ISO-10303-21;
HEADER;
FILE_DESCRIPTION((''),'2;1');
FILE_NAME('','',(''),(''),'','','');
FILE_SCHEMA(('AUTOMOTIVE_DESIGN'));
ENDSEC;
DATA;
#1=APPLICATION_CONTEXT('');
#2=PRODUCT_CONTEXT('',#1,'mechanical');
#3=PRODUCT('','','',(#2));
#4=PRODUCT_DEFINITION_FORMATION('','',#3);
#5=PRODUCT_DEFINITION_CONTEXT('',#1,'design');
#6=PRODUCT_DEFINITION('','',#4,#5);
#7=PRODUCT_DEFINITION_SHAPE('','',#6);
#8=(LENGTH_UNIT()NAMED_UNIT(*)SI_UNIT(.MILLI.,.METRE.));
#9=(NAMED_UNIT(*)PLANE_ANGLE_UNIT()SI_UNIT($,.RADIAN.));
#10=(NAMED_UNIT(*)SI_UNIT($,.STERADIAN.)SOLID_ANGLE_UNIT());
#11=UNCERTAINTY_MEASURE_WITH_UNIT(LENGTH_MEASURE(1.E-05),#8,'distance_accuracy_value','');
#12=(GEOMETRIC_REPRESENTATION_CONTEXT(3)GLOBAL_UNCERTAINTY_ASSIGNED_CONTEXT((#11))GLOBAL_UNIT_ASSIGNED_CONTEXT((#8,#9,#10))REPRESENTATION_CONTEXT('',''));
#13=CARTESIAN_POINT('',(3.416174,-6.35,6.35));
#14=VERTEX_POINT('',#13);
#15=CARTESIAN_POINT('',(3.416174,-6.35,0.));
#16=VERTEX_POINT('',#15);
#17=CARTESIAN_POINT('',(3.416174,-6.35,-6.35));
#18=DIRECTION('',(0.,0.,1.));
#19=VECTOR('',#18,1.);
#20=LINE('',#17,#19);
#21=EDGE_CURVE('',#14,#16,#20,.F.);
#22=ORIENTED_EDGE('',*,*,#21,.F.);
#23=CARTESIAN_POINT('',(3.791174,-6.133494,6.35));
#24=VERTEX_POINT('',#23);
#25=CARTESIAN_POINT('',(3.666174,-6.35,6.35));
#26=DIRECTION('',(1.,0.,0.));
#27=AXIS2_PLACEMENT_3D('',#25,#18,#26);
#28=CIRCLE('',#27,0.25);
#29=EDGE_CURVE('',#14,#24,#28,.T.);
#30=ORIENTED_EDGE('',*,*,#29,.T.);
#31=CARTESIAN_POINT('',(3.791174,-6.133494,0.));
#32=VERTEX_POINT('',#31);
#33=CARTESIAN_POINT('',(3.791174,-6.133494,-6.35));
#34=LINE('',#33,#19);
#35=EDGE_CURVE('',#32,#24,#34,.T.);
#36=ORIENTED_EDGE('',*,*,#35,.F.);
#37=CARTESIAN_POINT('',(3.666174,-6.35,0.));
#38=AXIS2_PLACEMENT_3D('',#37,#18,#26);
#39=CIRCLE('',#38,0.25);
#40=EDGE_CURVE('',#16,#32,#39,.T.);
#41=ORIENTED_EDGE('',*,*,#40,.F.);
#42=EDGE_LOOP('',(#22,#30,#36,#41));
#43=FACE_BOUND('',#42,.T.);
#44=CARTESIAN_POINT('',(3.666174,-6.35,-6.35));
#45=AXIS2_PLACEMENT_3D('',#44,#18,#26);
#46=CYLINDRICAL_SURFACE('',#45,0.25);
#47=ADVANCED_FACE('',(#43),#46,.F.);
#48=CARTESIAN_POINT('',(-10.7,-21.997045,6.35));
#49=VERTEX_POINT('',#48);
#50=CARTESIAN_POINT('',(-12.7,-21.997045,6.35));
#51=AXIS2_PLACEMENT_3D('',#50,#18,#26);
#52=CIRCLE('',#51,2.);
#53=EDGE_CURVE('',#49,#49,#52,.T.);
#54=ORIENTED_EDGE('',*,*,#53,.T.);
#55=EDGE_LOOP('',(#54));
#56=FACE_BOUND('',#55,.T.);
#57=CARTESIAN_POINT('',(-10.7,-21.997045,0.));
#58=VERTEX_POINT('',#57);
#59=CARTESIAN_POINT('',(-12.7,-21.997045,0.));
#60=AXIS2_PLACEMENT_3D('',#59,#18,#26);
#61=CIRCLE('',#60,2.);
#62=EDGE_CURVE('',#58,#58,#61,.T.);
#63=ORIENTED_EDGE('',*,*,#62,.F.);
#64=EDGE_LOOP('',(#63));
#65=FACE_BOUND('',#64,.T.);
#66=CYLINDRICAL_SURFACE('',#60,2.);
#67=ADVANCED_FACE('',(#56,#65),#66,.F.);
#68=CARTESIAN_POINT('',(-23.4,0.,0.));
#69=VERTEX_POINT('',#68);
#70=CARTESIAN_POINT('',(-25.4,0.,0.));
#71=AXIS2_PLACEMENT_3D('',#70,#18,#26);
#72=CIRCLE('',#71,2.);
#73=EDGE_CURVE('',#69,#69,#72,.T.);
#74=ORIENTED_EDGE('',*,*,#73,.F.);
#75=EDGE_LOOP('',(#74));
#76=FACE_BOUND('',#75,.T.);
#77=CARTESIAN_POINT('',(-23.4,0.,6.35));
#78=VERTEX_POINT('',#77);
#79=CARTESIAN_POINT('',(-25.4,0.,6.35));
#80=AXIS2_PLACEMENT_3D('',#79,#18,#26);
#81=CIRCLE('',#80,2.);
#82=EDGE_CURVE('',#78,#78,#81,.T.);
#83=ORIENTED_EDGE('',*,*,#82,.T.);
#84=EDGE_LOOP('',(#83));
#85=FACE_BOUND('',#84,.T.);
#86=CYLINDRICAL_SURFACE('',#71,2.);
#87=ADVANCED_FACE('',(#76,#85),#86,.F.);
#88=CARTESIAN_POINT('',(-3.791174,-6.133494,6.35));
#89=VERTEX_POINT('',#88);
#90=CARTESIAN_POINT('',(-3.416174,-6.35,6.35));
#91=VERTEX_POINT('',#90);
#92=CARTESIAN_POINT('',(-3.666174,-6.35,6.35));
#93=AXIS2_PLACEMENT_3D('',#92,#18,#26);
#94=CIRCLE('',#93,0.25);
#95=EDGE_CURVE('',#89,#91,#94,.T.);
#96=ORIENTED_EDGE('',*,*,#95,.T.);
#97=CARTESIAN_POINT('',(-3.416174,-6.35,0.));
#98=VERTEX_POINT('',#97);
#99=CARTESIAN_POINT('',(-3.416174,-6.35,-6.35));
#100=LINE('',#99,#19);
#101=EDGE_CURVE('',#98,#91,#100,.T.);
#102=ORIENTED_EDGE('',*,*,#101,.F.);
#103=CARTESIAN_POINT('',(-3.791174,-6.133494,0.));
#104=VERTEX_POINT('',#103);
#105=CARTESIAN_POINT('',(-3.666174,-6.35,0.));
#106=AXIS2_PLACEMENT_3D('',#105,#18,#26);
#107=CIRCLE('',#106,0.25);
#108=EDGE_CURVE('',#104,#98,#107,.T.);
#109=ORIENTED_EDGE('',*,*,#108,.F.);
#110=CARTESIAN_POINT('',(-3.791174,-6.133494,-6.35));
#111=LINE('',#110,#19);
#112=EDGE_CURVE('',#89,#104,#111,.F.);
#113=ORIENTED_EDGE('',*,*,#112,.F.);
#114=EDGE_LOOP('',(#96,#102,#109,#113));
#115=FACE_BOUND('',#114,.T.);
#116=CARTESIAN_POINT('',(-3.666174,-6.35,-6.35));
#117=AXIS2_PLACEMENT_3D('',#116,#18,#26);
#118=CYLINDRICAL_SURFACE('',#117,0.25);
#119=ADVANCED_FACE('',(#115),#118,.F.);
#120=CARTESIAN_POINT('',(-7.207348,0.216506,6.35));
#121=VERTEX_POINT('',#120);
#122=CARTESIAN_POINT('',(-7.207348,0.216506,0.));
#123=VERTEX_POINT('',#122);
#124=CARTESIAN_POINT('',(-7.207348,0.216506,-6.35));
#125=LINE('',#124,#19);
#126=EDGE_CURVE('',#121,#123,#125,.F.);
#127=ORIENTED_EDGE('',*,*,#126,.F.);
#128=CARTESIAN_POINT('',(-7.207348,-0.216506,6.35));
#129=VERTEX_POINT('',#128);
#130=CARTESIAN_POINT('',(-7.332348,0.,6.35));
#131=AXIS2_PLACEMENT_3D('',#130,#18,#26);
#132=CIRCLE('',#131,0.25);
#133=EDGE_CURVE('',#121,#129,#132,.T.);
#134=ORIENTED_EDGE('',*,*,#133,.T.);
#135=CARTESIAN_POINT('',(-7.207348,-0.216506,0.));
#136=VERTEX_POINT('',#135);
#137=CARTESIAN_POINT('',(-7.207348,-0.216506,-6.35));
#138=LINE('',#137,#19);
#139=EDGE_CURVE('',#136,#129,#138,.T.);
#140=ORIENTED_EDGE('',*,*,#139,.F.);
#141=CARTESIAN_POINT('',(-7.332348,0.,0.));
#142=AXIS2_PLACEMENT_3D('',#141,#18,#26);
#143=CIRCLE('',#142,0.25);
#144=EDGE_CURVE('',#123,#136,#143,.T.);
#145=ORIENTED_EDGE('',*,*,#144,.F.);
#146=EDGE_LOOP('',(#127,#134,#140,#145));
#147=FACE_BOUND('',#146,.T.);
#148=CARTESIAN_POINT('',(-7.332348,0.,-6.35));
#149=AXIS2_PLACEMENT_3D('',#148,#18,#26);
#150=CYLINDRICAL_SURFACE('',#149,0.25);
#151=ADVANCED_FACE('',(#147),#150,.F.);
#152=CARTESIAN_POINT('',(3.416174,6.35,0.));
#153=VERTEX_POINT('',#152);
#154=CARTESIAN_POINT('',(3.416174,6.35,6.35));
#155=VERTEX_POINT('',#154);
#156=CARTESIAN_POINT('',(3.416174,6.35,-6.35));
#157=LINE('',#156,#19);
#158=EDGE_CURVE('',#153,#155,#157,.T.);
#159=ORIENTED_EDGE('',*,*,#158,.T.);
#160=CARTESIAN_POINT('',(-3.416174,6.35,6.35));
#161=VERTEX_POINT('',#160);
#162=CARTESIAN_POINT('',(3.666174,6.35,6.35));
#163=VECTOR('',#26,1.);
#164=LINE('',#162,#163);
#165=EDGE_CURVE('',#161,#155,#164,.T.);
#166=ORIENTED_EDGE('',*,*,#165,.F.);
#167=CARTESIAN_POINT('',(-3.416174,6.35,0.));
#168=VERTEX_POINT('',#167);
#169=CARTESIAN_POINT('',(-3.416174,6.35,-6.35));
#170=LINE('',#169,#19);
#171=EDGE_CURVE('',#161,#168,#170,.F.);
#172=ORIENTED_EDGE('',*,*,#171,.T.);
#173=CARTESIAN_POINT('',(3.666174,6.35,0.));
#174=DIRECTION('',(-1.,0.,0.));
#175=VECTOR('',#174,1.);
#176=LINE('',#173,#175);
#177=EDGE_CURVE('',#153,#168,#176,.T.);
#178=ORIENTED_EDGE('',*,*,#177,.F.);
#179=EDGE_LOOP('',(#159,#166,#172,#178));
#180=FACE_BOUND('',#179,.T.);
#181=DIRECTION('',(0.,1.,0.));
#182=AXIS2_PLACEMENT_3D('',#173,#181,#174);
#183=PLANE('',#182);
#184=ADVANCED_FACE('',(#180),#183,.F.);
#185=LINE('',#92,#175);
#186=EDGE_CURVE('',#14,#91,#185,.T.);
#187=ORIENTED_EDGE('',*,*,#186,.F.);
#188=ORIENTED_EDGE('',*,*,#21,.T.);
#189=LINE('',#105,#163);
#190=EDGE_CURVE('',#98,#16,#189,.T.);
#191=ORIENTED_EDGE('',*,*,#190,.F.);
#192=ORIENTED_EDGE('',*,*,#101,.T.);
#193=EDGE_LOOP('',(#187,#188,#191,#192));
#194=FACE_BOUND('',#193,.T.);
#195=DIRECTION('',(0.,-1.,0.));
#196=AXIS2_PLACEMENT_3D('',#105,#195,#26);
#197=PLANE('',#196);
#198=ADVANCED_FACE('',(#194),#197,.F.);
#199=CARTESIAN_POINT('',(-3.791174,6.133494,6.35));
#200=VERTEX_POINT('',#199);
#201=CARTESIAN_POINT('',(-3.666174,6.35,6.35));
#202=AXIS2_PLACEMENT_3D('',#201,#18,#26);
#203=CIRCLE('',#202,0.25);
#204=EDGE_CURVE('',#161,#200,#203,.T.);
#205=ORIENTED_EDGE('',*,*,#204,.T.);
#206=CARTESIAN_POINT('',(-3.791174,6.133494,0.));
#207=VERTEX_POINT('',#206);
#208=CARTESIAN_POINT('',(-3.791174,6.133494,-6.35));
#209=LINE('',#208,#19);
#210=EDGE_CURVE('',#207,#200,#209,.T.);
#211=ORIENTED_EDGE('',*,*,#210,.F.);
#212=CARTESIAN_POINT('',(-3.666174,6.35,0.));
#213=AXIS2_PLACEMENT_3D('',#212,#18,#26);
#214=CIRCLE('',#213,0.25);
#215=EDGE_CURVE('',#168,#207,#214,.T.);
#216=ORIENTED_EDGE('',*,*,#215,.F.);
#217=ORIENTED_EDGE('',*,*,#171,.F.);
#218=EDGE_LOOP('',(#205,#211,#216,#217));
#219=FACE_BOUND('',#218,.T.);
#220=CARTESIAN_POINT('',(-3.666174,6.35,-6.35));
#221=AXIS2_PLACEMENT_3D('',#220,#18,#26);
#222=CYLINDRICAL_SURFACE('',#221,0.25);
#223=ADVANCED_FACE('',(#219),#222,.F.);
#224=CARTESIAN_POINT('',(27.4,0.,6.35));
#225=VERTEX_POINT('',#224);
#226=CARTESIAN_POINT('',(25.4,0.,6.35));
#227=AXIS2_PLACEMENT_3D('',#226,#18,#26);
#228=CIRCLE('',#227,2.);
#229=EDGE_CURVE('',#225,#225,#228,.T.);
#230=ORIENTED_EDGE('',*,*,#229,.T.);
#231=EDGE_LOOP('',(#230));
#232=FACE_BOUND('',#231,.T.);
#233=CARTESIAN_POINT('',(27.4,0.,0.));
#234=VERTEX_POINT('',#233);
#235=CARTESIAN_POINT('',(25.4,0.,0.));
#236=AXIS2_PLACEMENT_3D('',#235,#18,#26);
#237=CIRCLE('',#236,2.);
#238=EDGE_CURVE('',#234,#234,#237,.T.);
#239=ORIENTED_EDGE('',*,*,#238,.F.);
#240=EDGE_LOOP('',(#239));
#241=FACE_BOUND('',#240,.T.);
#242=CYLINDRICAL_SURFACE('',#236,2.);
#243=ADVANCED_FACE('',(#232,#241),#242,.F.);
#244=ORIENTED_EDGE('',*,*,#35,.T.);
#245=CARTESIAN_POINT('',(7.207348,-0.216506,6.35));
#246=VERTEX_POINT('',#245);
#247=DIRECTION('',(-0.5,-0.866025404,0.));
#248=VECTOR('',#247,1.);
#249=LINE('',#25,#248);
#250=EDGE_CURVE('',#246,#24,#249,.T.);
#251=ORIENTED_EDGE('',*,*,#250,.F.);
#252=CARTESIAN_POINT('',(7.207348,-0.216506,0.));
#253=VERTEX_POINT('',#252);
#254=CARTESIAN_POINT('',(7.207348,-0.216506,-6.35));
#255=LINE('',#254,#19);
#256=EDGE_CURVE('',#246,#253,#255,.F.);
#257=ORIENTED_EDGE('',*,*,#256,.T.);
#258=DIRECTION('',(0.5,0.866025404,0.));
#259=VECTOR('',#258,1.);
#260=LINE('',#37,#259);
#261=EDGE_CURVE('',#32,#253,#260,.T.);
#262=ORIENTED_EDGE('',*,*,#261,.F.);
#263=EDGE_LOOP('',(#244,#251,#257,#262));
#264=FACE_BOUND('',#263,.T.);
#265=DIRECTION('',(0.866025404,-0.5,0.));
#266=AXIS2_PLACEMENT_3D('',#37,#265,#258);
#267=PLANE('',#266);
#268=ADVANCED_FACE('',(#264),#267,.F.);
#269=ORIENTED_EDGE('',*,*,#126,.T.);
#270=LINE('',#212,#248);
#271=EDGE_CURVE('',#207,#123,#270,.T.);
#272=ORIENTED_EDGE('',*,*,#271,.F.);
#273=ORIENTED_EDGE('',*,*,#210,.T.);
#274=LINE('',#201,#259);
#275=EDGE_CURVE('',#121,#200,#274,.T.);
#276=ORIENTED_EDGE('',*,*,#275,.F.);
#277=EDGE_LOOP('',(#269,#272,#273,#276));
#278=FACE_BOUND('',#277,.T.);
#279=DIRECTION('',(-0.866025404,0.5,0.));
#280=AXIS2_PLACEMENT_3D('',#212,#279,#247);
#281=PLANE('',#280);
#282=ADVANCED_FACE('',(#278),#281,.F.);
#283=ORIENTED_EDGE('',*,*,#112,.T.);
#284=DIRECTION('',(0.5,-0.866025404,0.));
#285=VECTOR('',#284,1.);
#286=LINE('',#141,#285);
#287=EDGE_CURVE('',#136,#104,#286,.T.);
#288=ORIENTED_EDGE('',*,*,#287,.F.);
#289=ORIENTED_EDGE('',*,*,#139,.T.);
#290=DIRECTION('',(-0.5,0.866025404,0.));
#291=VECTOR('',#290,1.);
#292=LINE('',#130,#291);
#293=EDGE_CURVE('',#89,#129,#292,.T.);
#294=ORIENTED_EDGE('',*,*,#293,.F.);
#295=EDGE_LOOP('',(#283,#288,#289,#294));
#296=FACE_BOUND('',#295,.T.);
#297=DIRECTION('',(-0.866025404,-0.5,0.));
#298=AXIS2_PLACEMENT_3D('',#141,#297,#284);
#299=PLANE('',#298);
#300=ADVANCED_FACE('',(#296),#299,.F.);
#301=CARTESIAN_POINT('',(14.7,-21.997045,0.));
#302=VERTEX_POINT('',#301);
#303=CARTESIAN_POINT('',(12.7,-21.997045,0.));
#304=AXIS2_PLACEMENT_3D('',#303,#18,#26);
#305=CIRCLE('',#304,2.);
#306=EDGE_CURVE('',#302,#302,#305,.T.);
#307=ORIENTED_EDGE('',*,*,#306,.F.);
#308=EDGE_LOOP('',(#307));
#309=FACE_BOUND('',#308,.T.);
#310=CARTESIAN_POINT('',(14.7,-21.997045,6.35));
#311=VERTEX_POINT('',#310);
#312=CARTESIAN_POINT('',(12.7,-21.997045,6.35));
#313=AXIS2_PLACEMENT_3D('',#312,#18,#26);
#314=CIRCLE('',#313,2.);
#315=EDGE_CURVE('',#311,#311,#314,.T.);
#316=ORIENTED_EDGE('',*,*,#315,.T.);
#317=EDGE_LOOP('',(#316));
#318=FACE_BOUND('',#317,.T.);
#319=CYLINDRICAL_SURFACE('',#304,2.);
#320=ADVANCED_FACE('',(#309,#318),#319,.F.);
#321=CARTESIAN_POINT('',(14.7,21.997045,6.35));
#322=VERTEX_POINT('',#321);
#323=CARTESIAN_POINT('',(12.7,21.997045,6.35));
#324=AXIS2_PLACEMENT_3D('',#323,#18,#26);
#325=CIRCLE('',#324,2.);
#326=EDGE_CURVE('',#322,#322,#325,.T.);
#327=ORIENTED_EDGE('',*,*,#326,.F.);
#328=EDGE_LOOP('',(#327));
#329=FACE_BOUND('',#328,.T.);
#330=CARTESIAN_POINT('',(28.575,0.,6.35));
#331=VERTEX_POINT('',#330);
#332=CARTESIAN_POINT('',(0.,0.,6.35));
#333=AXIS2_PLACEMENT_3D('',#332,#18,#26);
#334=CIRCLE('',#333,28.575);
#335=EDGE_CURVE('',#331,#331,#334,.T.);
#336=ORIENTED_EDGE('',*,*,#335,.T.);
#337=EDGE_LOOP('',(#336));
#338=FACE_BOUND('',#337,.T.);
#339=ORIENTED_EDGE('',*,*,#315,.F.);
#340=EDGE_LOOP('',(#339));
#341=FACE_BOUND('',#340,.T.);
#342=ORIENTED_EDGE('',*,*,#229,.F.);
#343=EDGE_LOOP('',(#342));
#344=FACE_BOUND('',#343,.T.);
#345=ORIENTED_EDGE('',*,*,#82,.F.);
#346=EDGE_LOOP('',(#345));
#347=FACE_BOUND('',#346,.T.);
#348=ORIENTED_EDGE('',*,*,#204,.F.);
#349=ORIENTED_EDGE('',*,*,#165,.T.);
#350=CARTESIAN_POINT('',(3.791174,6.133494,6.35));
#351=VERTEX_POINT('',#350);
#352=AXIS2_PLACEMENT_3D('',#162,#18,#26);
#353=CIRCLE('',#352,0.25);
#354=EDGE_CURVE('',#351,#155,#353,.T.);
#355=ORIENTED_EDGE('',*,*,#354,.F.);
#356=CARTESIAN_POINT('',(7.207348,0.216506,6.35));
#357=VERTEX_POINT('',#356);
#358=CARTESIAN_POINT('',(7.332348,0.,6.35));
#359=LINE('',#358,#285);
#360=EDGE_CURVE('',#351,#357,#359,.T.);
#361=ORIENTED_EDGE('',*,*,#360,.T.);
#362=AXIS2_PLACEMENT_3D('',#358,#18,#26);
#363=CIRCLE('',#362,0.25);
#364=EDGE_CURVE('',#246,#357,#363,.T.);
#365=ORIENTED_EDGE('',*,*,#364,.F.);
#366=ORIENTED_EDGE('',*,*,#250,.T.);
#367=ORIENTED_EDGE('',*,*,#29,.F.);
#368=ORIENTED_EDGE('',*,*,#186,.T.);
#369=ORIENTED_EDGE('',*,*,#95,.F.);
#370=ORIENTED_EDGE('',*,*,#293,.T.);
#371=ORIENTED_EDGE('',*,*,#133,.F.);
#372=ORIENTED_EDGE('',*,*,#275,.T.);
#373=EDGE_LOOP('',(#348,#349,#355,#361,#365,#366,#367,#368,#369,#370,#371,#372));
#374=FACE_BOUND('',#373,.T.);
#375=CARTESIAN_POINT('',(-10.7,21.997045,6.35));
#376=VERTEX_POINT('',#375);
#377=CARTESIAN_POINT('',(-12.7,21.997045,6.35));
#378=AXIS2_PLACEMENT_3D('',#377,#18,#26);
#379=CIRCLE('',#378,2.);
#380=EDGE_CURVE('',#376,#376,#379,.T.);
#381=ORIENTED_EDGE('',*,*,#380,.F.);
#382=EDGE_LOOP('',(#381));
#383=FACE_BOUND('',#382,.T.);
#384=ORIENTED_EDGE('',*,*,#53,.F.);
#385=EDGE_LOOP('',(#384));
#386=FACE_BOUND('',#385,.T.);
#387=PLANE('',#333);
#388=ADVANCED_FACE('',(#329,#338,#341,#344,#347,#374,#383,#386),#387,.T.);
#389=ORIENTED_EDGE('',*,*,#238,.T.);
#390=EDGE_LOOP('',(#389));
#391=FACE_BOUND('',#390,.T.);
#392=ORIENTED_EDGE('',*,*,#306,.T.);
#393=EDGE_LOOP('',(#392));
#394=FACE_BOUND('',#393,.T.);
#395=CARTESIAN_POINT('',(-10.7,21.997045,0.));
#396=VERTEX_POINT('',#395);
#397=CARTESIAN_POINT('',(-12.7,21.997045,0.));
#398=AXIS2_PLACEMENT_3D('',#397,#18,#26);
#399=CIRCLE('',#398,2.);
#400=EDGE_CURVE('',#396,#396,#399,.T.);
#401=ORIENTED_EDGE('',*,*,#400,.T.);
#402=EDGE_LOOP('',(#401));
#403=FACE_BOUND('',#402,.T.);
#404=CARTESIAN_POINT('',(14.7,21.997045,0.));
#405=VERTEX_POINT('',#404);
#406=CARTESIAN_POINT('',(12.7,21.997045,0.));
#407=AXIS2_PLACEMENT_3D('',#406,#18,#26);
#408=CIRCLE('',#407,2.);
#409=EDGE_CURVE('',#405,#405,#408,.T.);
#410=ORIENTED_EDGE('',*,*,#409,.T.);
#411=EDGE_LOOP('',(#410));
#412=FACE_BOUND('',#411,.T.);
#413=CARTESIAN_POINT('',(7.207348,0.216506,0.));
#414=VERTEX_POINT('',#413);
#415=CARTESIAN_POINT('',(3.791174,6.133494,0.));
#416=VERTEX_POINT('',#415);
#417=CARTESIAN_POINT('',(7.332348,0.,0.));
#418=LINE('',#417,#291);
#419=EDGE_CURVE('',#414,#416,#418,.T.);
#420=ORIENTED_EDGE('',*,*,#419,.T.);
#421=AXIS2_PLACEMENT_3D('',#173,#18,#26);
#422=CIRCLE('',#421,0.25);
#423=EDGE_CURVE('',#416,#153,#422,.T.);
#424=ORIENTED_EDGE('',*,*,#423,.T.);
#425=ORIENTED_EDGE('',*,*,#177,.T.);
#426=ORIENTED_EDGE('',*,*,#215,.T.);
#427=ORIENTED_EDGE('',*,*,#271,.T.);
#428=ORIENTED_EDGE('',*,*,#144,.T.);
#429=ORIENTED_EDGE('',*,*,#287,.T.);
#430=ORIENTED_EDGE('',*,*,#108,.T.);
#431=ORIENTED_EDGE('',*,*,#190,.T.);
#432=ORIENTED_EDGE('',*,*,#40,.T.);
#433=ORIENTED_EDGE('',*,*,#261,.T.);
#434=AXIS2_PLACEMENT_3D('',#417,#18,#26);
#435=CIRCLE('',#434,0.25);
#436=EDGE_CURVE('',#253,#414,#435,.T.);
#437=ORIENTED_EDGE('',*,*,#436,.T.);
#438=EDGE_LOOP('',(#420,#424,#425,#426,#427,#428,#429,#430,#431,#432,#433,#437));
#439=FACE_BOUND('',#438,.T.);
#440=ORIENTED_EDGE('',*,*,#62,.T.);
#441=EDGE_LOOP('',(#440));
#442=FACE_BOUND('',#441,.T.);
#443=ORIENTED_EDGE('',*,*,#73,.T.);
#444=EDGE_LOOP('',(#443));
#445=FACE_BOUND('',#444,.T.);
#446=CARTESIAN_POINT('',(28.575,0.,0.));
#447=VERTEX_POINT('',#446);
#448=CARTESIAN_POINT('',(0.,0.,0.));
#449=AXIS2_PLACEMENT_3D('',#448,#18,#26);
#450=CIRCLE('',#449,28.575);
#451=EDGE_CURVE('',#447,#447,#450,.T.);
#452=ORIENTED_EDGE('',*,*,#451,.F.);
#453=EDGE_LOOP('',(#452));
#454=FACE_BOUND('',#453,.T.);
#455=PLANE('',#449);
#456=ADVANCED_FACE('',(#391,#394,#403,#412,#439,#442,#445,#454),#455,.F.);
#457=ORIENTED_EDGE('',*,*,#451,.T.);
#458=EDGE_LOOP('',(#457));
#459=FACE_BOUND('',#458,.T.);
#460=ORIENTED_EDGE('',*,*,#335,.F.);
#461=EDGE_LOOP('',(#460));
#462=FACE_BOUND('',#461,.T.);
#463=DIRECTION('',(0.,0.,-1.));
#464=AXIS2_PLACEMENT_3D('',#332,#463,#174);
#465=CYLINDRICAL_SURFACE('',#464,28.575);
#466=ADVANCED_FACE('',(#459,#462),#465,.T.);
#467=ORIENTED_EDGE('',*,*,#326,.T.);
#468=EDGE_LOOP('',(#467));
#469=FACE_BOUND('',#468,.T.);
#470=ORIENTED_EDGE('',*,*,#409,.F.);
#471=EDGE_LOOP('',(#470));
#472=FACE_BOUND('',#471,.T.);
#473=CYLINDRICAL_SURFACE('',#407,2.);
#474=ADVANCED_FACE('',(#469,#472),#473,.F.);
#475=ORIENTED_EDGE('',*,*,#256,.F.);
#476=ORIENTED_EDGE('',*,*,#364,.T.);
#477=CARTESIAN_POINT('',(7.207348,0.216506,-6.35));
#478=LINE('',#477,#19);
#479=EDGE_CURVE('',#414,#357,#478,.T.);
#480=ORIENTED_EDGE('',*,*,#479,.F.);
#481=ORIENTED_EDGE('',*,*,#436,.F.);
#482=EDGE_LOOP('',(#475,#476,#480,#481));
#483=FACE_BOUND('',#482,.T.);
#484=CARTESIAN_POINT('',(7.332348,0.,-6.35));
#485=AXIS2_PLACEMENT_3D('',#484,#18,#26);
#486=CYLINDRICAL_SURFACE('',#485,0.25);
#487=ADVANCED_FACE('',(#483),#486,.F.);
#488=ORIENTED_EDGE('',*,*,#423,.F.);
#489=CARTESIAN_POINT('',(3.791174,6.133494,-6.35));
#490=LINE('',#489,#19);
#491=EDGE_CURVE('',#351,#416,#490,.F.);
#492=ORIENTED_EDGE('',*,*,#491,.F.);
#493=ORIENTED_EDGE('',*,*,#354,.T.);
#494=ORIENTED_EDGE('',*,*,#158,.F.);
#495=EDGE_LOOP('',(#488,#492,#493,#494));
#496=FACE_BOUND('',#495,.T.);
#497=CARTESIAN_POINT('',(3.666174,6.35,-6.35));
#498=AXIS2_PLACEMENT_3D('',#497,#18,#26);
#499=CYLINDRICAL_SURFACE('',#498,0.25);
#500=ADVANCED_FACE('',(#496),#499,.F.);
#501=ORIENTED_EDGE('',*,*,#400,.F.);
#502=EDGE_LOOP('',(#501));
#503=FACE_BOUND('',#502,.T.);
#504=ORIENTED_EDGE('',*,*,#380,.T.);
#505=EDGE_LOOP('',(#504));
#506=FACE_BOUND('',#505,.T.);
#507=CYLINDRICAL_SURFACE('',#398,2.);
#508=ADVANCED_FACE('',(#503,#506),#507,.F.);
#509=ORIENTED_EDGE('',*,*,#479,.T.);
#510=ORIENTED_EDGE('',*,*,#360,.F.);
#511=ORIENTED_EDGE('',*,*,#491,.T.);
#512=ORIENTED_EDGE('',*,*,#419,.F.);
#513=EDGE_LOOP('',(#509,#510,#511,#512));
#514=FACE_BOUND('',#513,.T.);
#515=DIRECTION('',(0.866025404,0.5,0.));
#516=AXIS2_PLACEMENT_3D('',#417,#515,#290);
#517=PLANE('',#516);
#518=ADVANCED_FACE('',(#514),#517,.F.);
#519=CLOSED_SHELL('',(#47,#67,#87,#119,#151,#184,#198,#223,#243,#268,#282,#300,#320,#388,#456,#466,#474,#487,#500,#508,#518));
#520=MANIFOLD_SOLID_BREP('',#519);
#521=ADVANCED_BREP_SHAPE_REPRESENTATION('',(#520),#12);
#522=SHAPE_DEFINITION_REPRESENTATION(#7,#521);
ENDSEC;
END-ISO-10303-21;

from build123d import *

# Parameters (mm, degrees)
SKETCH1_R           = 28.575
BOSS_EXTRUDE1_DEPTH = 6.35
SKETCH2_R           = 14.2875
BOSS_EXTRUDE2_DEPTH = 12.7
CUT_EXTRUDE1_DEPTH  = 20.05
SKETCH4_R           = 2
CUT_EXTRUDE2_DEPTH  = 7.35
FILLET1_R           = 1
SKETCH5_R           = 14.2875
CUT_EXTRUDE4_DEPTH  = 12.7
SKETCH7_R           = 0.25
CUT_EXTRUDE5_DEPTH  = 12.7


with BuildPart() as part:
    # Sketch1 → Boss-Extrude1 (new body)
    with BuildSketch(Plane.XY):
        Circle(SKETCH1_R)
    extrude(amount=BOSS_EXTRUDE1_DEPTH)

    # Sketch2 → Boss-Extrude2 (add)
    with BuildSketch(Plane.XY.offset(6.35)):
        Circle(SKETCH2_R)
    extrude(amount=BOSS_EXTRUDE2_DEPTH)

    # Sketch3 → Cut-Extrude1 (cut, through all)
    with BuildSketch(Plane.XY.offset(19.05)):
        Polygon((7.332348419, 0), (3.666174209, 6.35), (-3.666174209, 6.35), (-7.332348419, 0), (-3.666174209, -6.35), (3.666174209, -6.35), align=None)
    extrude(amount=-CUT_EXTRUDE1_DEPTH, mode=Mode.SUBTRACT)

    # Sketch4 → Cut-Extrude2 (cut, through all)
    with BuildSketch(Plane.XY.offset(6.35)):
        with Locations((25.4, 0)):
            Circle(SKETCH4_R)
        with Locations((12.7, -21.997045256)):
            Circle(SKETCH4_R)
        with Locations((-12.7, -21.997045256)):
            Circle(SKETCH4_R)
        with Locations((-25.4, 0)):
            Circle(SKETCH4_R)
        with Locations((-12.7, 21.997045256)):
            Circle(SKETCH4_R)
        with Locations((12.7, 21.997045256)):
            Circle(SKETCH4_R)
    extrude(amount=-CUT_EXTRUDE2_DEPTH, mode=Mode.SUBTRACT)

    # Fillet1
    fillet1_edges = [part.edges().sort_by_distance(p)[0] for p in [
        (5.499261314, -3.175, 19.05),
        (5.499261314, 3.175, 19.05),
        (0, 6.35, 19.05),
        (-5.499261314, 3.175, 19.05),
        (-5.499261314, -3.175, 19.05),
        (0, -6.35, 19.05),
    ]]
    fillet(fillet1_edges, radius=FILLET1_R)

    # Sketch5 → Cut-Extrude4 (cut)
    with BuildSketch(Plane.XY.offset(19.05)):
        Circle(SKETCH5_R)
    extrude(amount=-CUT_EXTRUDE4_DEPTH, mode=Mode.SUBTRACT)

    # Sketch7 → Cut-Extrude5 (cut)
    with BuildSketch(Plane.XY.offset(6.35)):
        with Locations((-3.666174209, 6.35)):
            Circle(SKETCH7_R)
        with Locations((3.666174209, 6.35)):
            Circle(SKETCH7_R)
        with Locations((7.332348419, 0)):
            Circle(SKETCH7_R)
        with Locations((3.666174209, -6.35)):
            Circle(SKETCH7_R)
        with Locations((-3.666174209, -6.35)):
            Circle(SKETCH7_R)
        with Locations((-7.332348419, 0)):
            Circle(SKETCH7_R)
    extrude(amount=-CUT_EXTRUDE5_DEPTH, mode=Mode.SUBTRACT)


solid = part.part
